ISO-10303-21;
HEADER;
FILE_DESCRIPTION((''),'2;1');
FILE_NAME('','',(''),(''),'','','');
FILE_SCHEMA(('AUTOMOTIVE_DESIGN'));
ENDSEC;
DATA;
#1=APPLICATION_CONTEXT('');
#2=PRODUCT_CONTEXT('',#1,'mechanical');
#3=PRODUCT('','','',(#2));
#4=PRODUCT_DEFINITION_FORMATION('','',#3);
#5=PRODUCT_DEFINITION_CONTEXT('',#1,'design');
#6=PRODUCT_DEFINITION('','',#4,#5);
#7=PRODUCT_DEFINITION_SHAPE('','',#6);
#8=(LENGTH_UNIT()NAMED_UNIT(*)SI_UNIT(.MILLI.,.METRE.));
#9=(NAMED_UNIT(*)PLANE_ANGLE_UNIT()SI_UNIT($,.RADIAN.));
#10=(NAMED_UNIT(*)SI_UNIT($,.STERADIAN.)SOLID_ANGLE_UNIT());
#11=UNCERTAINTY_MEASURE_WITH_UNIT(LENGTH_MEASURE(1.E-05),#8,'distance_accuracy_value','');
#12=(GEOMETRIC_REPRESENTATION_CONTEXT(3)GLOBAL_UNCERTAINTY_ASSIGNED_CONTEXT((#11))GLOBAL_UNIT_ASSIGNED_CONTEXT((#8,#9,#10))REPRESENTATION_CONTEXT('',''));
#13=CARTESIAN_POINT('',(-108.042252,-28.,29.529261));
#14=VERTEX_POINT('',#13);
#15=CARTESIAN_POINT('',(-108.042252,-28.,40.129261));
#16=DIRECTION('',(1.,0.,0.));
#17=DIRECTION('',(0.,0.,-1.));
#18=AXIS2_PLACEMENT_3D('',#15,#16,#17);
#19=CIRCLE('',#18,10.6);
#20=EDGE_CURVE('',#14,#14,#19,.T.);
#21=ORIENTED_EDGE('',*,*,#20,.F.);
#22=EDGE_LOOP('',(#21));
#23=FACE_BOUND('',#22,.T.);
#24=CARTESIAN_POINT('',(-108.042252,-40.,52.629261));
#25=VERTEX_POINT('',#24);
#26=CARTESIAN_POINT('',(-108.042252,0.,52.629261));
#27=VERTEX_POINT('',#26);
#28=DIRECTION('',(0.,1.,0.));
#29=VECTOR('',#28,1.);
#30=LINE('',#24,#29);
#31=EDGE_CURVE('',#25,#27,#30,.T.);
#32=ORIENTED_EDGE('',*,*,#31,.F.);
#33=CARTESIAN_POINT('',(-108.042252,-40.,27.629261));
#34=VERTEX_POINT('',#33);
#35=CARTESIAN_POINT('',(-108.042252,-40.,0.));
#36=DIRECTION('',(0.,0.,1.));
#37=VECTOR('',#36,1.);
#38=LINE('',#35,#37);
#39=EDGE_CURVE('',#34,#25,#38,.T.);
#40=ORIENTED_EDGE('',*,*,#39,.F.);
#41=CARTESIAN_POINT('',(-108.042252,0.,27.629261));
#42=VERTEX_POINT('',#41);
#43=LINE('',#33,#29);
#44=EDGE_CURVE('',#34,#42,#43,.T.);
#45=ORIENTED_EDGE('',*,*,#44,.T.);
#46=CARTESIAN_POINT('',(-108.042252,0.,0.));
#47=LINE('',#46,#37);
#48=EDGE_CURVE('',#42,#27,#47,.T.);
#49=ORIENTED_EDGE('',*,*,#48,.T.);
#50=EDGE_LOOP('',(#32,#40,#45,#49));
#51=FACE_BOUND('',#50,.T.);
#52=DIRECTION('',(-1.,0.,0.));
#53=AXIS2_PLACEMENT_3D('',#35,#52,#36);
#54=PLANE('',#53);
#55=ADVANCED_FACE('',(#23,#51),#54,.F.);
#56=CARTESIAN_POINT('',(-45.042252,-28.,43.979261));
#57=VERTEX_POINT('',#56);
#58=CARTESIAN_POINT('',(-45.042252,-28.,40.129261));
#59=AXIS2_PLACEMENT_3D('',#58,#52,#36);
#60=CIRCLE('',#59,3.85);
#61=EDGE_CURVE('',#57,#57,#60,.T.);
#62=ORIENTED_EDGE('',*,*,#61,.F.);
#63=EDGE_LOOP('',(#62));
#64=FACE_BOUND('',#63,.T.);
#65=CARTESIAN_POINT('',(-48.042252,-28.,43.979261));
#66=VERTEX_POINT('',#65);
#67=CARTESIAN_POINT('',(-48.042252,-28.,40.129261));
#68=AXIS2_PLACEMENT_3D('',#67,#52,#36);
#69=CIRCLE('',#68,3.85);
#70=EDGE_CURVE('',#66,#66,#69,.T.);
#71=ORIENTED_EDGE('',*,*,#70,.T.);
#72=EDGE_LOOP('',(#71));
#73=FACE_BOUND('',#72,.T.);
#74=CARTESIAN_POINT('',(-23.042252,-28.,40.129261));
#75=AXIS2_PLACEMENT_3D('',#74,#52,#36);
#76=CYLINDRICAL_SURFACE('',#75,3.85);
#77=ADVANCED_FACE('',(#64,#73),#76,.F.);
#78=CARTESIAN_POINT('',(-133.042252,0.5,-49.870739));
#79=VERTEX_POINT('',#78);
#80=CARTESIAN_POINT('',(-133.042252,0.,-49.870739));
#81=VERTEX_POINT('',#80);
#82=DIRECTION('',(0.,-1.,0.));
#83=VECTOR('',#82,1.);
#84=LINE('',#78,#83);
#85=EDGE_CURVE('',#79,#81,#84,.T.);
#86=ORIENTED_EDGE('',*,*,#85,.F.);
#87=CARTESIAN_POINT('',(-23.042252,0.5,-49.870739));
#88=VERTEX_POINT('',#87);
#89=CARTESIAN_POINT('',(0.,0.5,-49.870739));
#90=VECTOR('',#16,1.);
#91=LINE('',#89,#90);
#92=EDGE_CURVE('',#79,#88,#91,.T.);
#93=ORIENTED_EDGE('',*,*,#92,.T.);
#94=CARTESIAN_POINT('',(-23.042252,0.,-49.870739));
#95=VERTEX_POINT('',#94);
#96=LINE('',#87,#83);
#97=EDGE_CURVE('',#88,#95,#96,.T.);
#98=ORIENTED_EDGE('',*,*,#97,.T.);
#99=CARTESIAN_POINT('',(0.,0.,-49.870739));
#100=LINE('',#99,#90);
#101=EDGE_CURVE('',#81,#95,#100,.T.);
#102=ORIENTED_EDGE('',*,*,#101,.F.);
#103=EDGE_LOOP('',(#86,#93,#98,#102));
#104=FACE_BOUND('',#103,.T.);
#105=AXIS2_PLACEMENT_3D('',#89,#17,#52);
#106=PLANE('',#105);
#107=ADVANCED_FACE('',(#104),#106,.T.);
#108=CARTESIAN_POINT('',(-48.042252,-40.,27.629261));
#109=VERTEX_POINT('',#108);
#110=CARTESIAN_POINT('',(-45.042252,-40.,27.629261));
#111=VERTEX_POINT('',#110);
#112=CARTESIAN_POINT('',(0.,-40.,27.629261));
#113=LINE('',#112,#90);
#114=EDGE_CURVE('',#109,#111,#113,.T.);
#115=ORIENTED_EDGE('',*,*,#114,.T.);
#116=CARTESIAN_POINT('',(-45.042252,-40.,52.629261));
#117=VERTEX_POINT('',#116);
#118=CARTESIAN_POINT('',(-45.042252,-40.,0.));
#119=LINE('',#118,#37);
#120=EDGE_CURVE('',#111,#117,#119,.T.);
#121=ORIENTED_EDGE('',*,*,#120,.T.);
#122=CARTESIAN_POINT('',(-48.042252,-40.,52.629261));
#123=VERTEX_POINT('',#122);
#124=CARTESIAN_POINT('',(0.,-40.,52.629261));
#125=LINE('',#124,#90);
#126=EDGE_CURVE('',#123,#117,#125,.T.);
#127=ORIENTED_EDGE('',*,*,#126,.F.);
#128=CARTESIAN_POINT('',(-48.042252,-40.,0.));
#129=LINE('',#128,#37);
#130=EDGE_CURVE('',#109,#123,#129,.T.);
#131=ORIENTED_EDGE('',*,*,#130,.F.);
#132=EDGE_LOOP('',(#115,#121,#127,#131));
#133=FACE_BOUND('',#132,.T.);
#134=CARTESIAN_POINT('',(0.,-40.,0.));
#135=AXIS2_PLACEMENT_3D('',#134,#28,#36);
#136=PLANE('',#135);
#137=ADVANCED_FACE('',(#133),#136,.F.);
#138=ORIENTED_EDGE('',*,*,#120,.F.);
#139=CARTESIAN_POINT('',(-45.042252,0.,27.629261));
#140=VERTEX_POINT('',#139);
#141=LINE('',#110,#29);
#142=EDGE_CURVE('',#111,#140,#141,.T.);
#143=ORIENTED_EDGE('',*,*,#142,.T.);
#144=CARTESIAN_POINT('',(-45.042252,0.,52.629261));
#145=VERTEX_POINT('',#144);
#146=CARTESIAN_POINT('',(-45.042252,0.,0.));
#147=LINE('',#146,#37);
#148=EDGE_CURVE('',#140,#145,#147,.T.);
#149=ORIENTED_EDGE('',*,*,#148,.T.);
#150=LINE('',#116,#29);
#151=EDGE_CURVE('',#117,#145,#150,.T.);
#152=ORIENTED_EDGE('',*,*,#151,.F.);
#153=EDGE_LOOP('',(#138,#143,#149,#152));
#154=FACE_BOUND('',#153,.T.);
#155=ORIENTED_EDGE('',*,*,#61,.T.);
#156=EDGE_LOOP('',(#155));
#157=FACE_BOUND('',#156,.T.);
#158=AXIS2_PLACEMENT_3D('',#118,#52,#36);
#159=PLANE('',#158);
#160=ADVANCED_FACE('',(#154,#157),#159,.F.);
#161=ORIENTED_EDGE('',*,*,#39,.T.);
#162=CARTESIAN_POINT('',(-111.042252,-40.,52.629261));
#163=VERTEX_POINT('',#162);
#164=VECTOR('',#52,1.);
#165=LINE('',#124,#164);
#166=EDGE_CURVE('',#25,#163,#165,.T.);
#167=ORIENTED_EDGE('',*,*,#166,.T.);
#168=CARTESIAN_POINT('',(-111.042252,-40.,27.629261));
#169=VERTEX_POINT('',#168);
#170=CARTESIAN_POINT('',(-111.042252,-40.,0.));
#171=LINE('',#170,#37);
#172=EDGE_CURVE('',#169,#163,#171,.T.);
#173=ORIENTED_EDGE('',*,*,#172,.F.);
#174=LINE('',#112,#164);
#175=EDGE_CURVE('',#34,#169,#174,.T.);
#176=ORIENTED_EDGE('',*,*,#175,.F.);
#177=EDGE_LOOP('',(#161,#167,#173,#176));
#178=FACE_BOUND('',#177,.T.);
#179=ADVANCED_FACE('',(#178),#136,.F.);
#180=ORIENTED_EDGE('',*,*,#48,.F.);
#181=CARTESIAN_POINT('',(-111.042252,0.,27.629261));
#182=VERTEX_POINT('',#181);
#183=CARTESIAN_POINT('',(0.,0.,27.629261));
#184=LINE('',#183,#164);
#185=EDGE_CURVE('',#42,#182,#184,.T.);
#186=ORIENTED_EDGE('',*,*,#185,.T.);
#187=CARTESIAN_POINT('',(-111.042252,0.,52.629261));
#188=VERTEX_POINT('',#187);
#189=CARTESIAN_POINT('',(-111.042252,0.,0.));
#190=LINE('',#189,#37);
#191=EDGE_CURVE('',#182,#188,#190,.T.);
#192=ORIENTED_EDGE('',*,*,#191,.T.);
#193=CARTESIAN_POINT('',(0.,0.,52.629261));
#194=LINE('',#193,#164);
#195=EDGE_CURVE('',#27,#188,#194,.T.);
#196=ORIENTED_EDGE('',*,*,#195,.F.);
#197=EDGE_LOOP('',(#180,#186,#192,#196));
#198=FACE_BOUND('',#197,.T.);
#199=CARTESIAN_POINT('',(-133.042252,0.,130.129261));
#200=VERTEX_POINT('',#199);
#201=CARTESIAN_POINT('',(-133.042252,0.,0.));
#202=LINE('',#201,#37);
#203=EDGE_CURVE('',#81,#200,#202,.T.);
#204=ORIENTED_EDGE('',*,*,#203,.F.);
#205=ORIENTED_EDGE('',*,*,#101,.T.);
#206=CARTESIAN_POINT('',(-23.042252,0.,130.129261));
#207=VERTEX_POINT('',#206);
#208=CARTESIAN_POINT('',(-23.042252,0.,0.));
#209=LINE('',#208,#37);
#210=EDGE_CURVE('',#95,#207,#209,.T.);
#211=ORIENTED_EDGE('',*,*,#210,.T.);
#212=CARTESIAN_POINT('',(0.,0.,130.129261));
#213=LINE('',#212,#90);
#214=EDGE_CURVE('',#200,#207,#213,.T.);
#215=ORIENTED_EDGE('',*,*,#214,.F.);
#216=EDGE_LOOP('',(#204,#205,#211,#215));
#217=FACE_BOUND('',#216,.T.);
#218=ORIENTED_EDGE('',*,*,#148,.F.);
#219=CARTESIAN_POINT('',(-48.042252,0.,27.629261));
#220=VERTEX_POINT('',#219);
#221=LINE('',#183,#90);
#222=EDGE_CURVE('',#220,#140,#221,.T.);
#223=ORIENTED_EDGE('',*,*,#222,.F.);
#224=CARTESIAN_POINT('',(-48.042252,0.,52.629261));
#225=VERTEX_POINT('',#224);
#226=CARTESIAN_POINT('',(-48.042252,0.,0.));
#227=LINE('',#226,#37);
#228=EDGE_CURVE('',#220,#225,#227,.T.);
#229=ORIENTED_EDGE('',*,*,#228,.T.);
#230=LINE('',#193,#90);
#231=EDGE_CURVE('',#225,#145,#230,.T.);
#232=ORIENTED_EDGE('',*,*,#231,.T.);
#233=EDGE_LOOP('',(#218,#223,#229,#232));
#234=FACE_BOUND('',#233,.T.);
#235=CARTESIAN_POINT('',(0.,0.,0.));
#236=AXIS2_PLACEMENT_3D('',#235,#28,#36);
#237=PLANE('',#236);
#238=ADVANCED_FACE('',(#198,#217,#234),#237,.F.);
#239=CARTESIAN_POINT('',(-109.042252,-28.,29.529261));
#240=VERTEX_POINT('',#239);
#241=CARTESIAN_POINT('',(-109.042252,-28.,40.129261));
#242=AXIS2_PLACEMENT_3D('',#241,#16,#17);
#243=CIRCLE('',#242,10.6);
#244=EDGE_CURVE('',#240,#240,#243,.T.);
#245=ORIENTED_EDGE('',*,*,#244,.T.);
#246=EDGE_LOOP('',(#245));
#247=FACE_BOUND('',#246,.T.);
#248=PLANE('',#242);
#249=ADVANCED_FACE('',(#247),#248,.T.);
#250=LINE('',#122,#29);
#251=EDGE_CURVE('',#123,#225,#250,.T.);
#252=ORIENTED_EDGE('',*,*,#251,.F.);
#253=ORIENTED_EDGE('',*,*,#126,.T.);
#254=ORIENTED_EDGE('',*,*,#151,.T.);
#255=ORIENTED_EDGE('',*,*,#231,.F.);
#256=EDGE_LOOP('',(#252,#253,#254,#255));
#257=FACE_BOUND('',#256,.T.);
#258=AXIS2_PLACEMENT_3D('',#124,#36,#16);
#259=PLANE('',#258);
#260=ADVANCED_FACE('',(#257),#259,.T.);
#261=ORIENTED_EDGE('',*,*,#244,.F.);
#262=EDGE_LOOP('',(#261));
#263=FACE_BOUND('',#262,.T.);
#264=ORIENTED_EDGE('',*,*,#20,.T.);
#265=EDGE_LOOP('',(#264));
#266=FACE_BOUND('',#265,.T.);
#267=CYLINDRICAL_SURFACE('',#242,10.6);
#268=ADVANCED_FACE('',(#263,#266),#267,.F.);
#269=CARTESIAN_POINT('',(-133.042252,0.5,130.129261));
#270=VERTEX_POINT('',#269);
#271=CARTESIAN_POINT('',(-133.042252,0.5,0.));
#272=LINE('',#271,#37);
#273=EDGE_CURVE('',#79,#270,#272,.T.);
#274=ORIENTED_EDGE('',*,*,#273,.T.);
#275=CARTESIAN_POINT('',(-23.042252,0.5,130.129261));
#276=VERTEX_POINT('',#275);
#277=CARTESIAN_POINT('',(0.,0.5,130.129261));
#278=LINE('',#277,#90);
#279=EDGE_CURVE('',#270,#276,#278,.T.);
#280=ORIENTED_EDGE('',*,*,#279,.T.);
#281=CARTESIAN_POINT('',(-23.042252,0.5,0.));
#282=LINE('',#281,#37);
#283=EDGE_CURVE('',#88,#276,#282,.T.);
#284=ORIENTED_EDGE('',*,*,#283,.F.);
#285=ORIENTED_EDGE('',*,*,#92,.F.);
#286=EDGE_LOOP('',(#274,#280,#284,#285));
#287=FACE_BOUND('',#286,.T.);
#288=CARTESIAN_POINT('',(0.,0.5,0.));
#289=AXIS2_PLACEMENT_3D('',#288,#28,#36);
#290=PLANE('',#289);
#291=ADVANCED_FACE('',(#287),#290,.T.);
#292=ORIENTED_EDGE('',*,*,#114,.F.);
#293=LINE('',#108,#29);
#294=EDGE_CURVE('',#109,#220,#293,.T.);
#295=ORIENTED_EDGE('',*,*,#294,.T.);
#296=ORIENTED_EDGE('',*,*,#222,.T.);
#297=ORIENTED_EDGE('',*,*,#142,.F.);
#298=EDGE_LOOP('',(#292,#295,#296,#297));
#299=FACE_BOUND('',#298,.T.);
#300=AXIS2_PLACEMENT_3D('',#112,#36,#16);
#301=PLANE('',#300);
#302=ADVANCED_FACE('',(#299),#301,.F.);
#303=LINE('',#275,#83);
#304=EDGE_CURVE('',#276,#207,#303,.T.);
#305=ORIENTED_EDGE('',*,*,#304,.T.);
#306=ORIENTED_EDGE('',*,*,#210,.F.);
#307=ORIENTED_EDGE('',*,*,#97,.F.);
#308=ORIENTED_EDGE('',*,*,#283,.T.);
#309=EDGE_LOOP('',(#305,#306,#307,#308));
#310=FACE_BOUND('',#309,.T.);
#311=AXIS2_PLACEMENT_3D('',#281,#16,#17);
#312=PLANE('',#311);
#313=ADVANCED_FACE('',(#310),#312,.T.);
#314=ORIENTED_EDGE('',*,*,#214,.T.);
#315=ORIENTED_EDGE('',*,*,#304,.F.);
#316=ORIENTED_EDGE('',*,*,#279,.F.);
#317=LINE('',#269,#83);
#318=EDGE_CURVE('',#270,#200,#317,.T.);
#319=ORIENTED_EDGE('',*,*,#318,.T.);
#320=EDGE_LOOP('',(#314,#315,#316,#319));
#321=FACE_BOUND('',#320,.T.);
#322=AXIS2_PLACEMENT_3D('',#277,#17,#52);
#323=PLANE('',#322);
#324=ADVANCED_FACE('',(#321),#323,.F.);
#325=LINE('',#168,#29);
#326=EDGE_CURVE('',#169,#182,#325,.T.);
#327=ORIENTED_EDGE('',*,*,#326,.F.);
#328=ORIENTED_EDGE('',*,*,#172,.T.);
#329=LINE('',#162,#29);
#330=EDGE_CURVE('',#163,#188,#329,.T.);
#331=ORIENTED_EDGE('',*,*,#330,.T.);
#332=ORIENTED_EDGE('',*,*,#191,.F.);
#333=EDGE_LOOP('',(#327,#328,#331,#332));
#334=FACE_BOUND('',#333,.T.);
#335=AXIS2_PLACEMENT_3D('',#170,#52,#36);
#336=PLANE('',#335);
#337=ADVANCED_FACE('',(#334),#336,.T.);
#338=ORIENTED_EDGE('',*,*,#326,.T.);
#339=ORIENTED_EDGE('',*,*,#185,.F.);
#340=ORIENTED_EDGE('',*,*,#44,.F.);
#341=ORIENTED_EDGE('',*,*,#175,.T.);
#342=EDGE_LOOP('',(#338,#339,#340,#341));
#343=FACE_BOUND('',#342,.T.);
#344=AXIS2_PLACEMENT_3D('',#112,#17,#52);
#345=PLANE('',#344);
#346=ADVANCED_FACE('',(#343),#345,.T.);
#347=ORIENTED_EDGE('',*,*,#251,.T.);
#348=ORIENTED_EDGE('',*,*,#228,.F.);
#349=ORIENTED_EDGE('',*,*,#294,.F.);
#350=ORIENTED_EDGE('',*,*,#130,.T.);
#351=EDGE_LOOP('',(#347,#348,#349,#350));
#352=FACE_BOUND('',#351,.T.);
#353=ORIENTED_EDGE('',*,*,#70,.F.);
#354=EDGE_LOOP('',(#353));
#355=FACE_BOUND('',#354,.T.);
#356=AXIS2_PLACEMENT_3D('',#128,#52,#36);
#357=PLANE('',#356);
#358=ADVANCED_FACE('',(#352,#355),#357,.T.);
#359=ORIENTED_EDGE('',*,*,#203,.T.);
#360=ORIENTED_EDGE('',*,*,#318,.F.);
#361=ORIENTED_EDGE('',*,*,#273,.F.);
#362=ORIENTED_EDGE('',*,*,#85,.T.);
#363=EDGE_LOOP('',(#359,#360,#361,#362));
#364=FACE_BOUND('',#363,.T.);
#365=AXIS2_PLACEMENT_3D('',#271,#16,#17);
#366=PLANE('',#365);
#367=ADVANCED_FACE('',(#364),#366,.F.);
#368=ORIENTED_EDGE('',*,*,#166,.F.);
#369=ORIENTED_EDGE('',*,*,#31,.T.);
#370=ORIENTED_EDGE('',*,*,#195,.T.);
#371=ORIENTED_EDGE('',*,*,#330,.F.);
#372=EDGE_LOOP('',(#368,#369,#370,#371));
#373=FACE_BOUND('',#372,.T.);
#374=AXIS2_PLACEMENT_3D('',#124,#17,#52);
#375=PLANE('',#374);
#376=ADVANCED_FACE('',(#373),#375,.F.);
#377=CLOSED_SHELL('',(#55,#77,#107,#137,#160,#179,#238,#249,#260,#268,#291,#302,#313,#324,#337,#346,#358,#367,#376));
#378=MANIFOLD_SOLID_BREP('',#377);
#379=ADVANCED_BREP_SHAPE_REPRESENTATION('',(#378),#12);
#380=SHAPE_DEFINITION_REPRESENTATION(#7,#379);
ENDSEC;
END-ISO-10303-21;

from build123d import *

# Parameters (mm, degrees)
SKETCH1_W           = 110
SKETCH1_H           = 180
BOSS_EXTRUDE1_DEPTH = 0.5
SKETCH1_3_W         = 3
SKETCH1_3_H         = 25
BOSS_EXTRUDE2_DEPTH = 40
SKETCH3_R           = 10.6
CUT_EXTRUDE1_DEPTH  = 1
SKETCH4_R           = 3.85
CUT_EXTRUDE2_DEPTH  = 161.494936001


with BuildPart() as part:
    # Sketch1 → Boss-Extrude1 (new body)
    with BuildSketch(Plane(origin=(0, 0, 0), x_dir=(1, 0, 0), z_dir=(0, 1, 0))):
        with Locations((-78.042251664, -40.129260668)):
            Rectangle(SKETCH1_W, SKETCH1_H)
    extrude(amount=BOSS_EXTRUDE1_DEPTH)

    # Sketch1<3> → Boss-Extrude2 (add)
    with BuildSketch(Plane(origin=(0, 0, 0), x_dir=(1, 0, 0), z_dir=(0, 1, 0))):
        with Locations((-109.542251664, -40.129260668)):
            Rectangle(SKETCH1_3_W, SKETCH1_3_H)
        with Locations((-46.542251664, -40.129260668)):
            Rectangle(SKETCH1_3_W, SKETCH1_3_H)
    extrude(amount=-BOSS_EXTRUDE2_DEPTH)

    # Sketch3 → Cut-Extrude1 (cut)
    with BuildSketch(Plane(origin=(-108.042251664, 0, 0), x_dir=(0, 0, -1), z_dir=(1, 0, 0))):
        with Locations((-40.129260668, -28)):
            Circle(SKETCH3_R)
    extrude(amount=-CUT_EXTRUDE1_DEPTH, mode=Mode.SUBTRACT)

    # Sketch4 → Cut-Extrude2 (cut, through all)
    with BuildSketch(Plane.ZY.offset(48.042251664)):
        with Locations((40.129260668, -28)):
            Circle(SKETCH4_R)
    extrude(amount=-CUT_EXTRUDE2_DEPTH, mode=Mode.SUBTRACT)


solid = part.part
